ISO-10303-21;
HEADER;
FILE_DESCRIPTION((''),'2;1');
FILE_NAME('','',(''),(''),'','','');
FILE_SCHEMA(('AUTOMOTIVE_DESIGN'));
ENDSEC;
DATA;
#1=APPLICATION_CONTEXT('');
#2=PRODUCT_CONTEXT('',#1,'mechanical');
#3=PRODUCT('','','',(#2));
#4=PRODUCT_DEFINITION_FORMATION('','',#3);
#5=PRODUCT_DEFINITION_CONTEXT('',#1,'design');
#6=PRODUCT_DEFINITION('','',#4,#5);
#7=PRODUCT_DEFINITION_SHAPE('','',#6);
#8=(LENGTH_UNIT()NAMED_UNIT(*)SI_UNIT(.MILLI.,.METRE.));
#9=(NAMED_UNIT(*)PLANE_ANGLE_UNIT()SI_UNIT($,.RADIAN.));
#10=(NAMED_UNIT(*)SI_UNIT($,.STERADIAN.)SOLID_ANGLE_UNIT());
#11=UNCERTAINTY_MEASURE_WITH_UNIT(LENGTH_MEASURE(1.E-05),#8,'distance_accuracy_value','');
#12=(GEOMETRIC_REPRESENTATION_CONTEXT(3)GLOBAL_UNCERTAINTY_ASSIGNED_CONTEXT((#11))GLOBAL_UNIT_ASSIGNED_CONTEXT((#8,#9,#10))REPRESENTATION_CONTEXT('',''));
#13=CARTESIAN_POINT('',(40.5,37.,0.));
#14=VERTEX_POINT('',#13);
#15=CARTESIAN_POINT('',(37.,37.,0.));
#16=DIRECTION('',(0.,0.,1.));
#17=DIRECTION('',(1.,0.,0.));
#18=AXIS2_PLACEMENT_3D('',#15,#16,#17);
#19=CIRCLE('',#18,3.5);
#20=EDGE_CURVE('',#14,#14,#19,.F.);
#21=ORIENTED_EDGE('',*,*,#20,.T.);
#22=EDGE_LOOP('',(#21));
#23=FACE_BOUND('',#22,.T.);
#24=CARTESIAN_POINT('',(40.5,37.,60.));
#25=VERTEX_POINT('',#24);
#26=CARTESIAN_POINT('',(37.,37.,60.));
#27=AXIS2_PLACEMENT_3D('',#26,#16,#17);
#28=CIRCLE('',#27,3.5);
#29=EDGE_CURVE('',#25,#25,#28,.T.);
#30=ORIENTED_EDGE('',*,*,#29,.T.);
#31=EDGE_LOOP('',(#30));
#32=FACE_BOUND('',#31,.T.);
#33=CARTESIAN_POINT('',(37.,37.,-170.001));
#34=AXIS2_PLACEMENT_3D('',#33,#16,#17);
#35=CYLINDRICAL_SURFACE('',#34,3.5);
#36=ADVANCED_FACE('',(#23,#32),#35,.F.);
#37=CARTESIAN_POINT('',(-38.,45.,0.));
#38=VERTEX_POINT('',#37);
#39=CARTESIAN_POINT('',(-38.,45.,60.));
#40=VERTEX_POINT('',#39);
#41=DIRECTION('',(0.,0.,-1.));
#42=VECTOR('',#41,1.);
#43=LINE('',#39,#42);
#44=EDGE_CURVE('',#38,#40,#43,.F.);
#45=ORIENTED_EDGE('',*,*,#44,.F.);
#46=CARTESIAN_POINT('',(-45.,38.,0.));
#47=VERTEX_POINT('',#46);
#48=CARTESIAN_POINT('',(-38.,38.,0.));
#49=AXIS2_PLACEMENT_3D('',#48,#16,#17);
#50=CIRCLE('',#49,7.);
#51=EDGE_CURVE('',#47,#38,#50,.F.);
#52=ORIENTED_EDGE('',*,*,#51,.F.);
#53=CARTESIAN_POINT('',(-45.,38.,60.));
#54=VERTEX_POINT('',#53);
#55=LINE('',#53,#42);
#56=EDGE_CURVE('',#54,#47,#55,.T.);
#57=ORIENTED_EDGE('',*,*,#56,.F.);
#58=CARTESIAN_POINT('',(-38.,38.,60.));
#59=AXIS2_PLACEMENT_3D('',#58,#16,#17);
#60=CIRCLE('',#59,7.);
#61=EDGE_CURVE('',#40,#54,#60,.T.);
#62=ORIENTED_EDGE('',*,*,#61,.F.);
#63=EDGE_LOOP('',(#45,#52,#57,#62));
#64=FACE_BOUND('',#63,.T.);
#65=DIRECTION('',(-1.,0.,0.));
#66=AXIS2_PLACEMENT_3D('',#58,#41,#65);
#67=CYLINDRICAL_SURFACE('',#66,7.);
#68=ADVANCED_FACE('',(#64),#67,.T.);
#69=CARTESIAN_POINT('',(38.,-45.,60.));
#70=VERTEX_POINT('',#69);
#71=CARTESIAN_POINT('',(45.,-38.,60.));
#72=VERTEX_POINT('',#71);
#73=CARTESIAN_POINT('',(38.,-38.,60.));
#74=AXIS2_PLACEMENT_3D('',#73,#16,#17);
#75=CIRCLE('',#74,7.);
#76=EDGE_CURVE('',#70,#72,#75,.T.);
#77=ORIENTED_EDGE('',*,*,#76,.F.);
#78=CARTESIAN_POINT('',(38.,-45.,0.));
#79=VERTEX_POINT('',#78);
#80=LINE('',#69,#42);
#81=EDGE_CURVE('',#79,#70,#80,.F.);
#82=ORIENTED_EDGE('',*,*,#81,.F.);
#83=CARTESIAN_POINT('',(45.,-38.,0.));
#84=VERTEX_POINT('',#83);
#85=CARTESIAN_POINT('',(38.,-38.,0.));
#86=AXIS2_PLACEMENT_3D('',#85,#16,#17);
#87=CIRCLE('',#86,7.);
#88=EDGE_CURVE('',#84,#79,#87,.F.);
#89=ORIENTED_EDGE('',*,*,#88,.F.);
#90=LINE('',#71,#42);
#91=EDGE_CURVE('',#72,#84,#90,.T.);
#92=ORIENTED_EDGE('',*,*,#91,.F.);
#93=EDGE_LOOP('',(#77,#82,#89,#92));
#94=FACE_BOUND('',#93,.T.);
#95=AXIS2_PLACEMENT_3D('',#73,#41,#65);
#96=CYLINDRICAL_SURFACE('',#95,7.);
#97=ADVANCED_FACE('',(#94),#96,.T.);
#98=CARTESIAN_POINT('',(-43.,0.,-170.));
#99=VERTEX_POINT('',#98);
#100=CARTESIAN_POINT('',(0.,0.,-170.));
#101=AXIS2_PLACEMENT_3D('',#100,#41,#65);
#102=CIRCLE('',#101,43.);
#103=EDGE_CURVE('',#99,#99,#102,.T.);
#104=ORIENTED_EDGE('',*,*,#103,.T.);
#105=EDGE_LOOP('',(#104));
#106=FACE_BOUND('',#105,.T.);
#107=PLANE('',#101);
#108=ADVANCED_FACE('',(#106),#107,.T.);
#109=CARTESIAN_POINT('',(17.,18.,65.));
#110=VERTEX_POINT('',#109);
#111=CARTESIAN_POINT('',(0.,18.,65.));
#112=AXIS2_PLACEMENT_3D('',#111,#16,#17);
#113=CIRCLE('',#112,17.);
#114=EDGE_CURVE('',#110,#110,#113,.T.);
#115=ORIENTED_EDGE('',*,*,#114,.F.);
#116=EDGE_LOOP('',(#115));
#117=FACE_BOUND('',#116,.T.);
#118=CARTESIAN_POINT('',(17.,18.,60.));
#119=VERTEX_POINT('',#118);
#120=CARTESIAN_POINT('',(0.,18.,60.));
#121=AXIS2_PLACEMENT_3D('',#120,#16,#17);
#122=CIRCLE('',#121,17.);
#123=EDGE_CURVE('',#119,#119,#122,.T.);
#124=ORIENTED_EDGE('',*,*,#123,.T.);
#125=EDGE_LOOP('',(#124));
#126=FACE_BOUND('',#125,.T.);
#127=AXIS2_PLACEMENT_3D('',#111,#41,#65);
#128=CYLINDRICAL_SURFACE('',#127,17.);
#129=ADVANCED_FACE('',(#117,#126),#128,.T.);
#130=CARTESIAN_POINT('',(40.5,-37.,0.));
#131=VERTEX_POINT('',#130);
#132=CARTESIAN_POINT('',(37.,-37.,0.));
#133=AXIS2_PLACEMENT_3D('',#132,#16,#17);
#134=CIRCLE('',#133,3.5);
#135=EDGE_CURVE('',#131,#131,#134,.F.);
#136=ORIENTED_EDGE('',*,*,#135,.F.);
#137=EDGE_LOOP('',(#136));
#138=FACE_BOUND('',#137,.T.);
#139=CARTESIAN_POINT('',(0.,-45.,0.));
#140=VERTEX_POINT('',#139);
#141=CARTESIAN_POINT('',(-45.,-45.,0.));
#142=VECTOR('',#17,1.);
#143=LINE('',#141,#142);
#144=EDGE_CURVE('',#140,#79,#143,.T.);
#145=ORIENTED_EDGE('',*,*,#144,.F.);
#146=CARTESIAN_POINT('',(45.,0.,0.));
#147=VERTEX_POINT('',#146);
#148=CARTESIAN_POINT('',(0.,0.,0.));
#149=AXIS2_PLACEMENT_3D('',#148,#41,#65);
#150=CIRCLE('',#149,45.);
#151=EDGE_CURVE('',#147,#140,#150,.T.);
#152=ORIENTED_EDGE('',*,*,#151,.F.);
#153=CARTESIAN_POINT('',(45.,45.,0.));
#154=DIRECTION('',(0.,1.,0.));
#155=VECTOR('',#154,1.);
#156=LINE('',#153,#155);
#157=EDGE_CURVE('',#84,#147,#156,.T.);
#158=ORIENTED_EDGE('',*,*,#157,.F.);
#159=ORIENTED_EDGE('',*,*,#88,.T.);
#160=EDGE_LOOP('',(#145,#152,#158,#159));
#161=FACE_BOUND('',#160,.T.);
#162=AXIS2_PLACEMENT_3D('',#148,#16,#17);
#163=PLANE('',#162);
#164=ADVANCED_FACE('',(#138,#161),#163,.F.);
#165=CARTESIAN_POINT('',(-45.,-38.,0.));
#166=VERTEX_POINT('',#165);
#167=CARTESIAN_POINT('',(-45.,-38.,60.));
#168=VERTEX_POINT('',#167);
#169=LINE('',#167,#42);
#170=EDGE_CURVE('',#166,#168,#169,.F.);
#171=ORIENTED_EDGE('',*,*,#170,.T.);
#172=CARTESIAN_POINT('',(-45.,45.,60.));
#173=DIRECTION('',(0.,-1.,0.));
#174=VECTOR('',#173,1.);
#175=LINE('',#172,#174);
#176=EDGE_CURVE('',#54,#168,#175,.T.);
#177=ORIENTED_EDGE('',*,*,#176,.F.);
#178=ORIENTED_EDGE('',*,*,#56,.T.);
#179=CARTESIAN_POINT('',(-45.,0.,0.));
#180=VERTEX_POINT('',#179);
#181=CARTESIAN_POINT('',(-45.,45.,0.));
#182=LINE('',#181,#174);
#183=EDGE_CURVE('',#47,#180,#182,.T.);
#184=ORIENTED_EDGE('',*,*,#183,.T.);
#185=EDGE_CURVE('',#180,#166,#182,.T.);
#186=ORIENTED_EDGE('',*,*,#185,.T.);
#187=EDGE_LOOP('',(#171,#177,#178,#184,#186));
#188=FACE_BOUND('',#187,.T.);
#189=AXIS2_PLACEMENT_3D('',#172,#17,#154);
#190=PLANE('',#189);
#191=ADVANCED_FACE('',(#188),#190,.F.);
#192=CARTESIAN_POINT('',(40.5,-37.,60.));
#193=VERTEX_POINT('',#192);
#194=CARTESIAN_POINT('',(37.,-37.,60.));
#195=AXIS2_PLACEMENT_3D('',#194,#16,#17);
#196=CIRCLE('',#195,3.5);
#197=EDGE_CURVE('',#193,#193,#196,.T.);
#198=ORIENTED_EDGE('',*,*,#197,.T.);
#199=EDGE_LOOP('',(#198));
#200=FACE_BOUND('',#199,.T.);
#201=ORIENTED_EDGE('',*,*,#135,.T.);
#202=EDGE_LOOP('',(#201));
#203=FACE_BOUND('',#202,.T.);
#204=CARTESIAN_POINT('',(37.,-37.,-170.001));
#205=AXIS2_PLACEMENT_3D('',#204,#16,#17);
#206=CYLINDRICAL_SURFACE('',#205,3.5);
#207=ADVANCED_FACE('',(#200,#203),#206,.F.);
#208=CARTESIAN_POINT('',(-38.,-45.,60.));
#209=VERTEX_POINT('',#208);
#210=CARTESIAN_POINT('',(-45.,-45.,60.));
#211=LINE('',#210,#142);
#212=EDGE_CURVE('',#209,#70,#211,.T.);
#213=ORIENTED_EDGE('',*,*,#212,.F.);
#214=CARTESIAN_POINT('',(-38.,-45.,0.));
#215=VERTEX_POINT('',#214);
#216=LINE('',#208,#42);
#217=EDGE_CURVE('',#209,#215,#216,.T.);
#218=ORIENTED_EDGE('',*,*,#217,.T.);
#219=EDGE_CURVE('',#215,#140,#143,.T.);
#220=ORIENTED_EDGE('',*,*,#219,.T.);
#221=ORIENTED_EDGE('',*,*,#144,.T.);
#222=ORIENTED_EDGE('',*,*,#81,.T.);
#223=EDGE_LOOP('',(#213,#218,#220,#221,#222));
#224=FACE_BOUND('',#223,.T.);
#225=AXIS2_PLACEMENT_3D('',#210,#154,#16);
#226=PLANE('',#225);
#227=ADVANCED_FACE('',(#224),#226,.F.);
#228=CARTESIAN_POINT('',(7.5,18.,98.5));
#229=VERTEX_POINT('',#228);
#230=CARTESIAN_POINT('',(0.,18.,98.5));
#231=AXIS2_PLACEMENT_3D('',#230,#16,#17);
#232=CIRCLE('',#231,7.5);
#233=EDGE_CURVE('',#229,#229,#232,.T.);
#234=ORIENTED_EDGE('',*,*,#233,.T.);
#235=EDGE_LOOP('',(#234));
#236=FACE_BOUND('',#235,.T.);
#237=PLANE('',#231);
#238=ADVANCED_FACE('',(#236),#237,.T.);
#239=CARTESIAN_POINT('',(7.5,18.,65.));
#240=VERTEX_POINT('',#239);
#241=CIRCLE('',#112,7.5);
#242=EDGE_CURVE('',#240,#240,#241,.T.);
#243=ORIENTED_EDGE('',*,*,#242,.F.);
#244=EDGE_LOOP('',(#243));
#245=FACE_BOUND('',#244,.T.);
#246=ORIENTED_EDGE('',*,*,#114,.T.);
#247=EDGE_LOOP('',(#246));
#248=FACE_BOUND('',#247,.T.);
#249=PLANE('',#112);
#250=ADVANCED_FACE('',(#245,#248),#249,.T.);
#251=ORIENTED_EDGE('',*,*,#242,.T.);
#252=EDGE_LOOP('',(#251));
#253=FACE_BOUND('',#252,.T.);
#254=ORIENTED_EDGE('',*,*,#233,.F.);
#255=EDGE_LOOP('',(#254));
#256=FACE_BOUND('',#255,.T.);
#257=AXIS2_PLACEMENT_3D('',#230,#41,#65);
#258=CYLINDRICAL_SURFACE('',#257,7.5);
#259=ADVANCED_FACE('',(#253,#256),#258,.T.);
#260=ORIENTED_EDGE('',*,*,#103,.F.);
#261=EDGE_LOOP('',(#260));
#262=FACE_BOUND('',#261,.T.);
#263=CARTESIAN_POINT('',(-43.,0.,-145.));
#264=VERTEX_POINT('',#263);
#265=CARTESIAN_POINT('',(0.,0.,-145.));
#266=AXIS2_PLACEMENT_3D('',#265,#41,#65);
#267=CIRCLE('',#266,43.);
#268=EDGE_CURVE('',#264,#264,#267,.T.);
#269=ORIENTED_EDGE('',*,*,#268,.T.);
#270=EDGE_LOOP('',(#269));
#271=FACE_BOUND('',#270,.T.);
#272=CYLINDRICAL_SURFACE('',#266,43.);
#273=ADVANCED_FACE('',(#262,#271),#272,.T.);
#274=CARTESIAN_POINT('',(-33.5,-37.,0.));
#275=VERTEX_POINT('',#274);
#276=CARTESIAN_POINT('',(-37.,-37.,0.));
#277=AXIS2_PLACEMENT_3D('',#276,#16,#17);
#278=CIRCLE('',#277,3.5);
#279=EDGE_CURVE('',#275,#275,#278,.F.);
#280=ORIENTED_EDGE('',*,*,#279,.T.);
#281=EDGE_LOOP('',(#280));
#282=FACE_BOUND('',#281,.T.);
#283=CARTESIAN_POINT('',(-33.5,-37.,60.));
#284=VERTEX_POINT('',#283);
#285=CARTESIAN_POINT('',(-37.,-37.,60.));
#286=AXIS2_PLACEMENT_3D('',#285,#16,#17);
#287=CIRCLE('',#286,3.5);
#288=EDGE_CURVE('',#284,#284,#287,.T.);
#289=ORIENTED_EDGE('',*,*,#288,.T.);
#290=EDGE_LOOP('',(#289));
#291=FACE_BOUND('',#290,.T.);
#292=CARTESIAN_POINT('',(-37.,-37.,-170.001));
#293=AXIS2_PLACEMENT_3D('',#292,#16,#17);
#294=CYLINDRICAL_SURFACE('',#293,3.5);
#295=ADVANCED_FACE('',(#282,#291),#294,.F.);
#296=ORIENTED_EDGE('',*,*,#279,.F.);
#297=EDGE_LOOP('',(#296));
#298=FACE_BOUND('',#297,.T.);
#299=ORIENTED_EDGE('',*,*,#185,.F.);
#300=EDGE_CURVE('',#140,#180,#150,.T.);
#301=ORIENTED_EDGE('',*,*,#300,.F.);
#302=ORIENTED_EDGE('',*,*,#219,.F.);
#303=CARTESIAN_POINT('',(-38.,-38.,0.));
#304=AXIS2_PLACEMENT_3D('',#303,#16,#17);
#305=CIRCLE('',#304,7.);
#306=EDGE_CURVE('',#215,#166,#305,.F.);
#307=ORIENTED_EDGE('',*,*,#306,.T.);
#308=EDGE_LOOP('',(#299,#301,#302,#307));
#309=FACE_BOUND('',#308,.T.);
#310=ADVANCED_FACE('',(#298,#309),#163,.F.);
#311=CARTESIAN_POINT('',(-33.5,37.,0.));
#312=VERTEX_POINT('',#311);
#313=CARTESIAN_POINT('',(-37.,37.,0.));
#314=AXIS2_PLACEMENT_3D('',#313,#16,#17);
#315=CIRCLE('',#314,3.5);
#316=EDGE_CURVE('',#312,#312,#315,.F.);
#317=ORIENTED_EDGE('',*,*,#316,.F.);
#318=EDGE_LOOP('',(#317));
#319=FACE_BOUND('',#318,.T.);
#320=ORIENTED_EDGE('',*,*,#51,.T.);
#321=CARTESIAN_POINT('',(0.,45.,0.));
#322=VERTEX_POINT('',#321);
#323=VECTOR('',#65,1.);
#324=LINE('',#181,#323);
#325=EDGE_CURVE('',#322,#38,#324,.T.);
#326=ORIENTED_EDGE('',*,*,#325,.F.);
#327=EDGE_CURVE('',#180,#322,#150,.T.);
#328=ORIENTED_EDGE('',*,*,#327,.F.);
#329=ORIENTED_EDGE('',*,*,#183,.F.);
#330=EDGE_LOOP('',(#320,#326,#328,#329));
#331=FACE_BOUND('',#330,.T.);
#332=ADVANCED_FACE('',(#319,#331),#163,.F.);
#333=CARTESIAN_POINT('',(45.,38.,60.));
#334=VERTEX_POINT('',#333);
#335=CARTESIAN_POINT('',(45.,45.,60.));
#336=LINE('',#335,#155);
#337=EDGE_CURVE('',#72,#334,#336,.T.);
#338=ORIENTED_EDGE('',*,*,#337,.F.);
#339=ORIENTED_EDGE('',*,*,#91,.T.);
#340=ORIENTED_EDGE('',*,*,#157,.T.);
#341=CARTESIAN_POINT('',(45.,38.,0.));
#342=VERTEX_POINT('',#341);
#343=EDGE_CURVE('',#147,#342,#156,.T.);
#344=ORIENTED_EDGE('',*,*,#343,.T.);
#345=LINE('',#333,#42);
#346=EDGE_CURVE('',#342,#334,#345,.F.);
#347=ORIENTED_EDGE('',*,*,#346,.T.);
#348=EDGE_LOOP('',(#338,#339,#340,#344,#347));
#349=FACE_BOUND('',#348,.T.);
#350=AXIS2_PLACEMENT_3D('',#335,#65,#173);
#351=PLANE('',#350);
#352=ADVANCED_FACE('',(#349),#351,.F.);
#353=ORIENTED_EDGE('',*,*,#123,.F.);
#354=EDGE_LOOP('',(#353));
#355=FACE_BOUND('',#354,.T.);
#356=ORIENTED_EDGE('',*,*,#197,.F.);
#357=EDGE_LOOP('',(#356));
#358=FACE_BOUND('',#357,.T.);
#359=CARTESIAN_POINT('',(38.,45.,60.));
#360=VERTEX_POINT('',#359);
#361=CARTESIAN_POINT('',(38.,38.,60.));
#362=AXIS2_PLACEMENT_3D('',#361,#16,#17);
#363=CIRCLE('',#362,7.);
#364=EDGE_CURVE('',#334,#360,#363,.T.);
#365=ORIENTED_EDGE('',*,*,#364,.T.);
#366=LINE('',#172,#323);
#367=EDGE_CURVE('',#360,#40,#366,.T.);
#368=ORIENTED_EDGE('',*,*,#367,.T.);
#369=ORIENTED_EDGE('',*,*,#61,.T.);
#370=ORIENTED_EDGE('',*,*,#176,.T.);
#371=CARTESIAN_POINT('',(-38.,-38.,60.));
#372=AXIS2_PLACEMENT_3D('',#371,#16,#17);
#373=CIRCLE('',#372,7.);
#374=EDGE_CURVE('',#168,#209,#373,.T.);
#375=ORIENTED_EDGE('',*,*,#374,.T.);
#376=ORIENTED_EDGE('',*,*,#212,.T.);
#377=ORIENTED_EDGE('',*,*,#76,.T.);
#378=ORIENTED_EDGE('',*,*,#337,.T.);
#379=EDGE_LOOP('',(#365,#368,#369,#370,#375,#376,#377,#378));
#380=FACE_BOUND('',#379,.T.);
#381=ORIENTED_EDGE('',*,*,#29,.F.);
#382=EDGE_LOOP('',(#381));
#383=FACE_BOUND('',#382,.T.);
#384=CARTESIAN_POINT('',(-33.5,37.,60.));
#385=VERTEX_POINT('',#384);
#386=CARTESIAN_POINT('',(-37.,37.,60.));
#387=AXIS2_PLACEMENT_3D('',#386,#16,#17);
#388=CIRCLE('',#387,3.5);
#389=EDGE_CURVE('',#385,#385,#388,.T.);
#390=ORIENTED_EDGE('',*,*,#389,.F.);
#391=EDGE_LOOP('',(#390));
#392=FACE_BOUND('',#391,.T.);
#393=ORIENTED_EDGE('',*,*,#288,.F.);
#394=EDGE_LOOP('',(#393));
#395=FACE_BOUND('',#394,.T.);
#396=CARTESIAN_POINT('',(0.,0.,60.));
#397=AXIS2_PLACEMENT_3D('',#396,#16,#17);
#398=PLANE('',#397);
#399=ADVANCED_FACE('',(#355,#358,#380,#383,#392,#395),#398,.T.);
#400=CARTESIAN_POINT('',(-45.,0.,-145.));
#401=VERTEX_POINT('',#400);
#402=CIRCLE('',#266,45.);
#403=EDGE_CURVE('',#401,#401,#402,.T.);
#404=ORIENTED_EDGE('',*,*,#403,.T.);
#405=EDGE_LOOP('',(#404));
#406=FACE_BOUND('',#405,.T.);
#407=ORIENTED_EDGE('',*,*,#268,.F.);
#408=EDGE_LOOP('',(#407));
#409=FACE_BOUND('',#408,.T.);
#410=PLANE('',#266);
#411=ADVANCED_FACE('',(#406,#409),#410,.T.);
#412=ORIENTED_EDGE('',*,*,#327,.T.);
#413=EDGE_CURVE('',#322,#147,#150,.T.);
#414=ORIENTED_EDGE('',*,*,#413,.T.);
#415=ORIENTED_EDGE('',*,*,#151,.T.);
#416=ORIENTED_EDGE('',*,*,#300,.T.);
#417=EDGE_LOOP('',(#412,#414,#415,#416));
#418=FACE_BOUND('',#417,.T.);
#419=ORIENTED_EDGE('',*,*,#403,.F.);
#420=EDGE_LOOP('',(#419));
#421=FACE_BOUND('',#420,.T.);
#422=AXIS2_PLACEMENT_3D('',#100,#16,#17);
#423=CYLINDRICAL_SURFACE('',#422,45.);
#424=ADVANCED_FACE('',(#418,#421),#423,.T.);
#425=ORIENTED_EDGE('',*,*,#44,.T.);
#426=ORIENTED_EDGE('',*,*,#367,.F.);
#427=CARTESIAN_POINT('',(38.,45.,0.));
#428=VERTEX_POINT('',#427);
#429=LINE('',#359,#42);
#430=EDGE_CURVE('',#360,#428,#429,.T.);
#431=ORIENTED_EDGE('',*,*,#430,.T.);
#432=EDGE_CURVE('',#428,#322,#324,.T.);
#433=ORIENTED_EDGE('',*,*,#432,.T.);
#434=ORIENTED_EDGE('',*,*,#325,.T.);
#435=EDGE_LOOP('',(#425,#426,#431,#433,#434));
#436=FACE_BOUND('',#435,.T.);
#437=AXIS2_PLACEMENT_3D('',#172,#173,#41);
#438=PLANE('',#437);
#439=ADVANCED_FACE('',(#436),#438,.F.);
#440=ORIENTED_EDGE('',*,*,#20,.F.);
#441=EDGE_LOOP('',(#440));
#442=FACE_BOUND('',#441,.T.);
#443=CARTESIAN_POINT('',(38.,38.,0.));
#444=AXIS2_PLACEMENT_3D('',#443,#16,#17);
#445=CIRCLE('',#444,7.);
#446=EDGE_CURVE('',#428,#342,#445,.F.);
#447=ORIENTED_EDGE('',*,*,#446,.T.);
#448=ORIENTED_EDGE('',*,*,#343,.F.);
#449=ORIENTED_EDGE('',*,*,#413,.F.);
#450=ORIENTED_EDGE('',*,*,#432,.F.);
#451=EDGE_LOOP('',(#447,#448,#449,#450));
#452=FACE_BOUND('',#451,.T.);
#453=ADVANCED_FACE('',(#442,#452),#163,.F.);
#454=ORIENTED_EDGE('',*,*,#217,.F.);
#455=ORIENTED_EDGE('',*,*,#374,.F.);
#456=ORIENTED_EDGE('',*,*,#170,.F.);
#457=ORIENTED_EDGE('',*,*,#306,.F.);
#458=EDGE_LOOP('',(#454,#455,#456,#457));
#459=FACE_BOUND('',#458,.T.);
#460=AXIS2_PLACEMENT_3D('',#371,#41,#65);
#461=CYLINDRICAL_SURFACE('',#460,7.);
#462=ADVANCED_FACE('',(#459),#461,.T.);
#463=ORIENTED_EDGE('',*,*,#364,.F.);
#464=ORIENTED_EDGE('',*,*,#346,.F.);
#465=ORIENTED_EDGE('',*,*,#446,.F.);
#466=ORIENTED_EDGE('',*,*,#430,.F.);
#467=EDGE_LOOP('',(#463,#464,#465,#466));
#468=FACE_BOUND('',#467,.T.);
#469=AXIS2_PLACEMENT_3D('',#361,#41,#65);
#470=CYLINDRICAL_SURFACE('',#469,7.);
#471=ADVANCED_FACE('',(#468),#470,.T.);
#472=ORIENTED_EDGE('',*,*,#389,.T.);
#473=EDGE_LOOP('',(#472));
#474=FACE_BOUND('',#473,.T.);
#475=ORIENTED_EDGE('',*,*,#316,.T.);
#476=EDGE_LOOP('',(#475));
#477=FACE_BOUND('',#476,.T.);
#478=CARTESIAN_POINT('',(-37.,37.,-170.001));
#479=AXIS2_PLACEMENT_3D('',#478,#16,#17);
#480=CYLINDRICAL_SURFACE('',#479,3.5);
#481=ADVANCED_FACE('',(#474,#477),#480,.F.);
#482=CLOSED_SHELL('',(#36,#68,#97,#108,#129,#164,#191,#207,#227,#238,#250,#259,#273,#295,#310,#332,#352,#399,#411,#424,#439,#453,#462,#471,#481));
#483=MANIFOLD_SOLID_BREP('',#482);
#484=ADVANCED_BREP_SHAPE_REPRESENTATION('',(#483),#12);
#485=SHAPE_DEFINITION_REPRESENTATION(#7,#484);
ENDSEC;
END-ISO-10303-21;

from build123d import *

# Parameters (mm, degrees)
SKETCH1_W           = 90
SKETCH1_H           = 90
BOSS_EXTRUDE1_DEPTH = 60
SKETCH2_R           = 45
BOSS_EXTRUDE2_DEPTH = 170
SKETCH3_R           = 17
BOSS_EXTRUDE3_DEPTH = 5
SKETCH4_R           = 7.5
BOSS_EXTRUDE4_DEPTH = 33.5
CUT_EXTRUDE1_REACH  = 240.642
SKETCH5_R           = 3.5
FILLET1_R           = 7
CUT_EXTRUDE2_START  = -25
SKETCH6_R           = 45
SKETCH6_R_2         = 43
CUT_EXTRUDE2_DEPTH  = 25


with BuildPart() as part:
    # Sketch1 → Boss-Extrude1 (new body)
    with BuildSketch(Plane.XY):
        Rectangle(SKETCH1_W, SKETCH1_H)
    extrude(amount=BOSS_EXTRUDE1_DEPTH)

    # Sketch2 → Boss-Extrude2 (add)
    with BuildSketch(Plane(origin=(0, 0, 0), x_dir=(-1, 0, 0), z_dir=(0, 0, -1))):
        Circle(SKETCH2_R)
    extrude(amount=BOSS_EXTRUDE2_DEPTH)

    # Sketch3 → Boss-Extrude3 (add)
    with BuildSketch(Plane.XY.offset(60)):
        with Locations((0, 18)):
            Circle(SKETCH3_R)
    extrude(amount=BOSS_EXTRUDE3_DEPTH)

    # Sketch4 → Boss-Extrude4 (add)
    with BuildSketch(Plane.XY.offset(65)):
        with Locations((0, 18)):
            Circle(SKETCH4_R)
    extrude(amount=BOSS_EXTRUDE4_DEPTH)

    # Sketch5 → Cut-Extrude1 (cut, up to next)
    with BuildSketch(Plane.XY.offset(60), mode=Mode.PRIVATE) as cut_extrude1_sk1:
        with Locations((-37, 37)):
            Circle(SKETCH5_R)
    cut_extrude1_tool1 = extrude(cut_extrude1_sk1.sketch, amount=-CUT_EXTRUDE1_REACH, mode=Mode.PRIVATE) & part.part
    # Sketch5 → Cut-Extrude1 (cut, up to next)
    with BuildSketch(Plane.XY.offset(60), mode=Mode.PRIVATE) as cut_extrude1_sk2:
        with Locations((37, 37)):
            Circle(SKETCH5_R)
    cut_extrude1_tool2 = extrude(cut_extrude1_sk2.sketch, amount=-CUT_EXTRUDE1_REACH, mode=Mode.PRIVATE) & part.part
    # Sketch5 → Cut-Extrude1 (cut, up to next)
    with BuildSketch(Plane.XY.offset(60), mode=Mode.PRIVATE) as cut_extrude1_sk3:
        with Locations((37, -37)):
            Circle(SKETCH5_R)
    cut_extrude1_tool3 = extrude(cut_extrude1_sk3.sketch, amount=-CUT_EXTRUDE1_REACH, mode=Mode.PRIVATE) & part.part
    # Sketch5 → Cut-Extrude1 (cut, up to next)
    with BuildSketch(Plane.XY.offset(60), mode=Mode.PRIVATE) as cut_extrude1_sk4:
        with Locations((-37, -37)):
            Circle(SKETCH5_R)
    cut_extrude1_tool4 = extrude(cut_extrude1_sk4.sketch, amount=-CUT_EXTRUDE1_REACH, mode=Mode.PRIVATE) & part.part
    add(cut_extrude1_tool1.solids().sort_by_distance((-37, 37, 60))[0], mode=Mode.SUBTRACT)
    add(cut_extrude1_tool2.solids().sort_by_distance((37, 37, 60))[0], mode=Mode.SUBTRACT)
    add(cut_extrude1_tool3.solids().sort_by_distance((37, -37, 60))[0], mode=Mode.SUBTRACT)
    add(cut_extrude1_tool4.solids().sort_by_distance((-37, -37, 60))[0], mode=Mode.SUBTRACT)

    # Fillet1
    fillet1_edges = [part.edges().sort_by_distance(p)[0] for p in [
        (45, -45, 30),
        (-45, -45, 30),
        (-45, 45, 30),
        (45, 45, 30),
    ]]
    fillet(fillet1_edges, radius=FILLET1_R)

    # Sketch6 → Cut-Extrude2 (cut)
    with BuildSketch(Plane(origin=(0, 0, -170), x_dir=(-1, 0, 0), z_dir=(0, 0, -1)).offset(CUT_EXTRUDE2_START)):
        Circle(SKETCH6_R)
        Circle(SKETCH6_R_2, mode=Mode.SUBTRACT)
    extrude(amount=CUT_EXTRUDE2_DEPTH, mode=Mode.SUBTRACT)


solid = part.part
